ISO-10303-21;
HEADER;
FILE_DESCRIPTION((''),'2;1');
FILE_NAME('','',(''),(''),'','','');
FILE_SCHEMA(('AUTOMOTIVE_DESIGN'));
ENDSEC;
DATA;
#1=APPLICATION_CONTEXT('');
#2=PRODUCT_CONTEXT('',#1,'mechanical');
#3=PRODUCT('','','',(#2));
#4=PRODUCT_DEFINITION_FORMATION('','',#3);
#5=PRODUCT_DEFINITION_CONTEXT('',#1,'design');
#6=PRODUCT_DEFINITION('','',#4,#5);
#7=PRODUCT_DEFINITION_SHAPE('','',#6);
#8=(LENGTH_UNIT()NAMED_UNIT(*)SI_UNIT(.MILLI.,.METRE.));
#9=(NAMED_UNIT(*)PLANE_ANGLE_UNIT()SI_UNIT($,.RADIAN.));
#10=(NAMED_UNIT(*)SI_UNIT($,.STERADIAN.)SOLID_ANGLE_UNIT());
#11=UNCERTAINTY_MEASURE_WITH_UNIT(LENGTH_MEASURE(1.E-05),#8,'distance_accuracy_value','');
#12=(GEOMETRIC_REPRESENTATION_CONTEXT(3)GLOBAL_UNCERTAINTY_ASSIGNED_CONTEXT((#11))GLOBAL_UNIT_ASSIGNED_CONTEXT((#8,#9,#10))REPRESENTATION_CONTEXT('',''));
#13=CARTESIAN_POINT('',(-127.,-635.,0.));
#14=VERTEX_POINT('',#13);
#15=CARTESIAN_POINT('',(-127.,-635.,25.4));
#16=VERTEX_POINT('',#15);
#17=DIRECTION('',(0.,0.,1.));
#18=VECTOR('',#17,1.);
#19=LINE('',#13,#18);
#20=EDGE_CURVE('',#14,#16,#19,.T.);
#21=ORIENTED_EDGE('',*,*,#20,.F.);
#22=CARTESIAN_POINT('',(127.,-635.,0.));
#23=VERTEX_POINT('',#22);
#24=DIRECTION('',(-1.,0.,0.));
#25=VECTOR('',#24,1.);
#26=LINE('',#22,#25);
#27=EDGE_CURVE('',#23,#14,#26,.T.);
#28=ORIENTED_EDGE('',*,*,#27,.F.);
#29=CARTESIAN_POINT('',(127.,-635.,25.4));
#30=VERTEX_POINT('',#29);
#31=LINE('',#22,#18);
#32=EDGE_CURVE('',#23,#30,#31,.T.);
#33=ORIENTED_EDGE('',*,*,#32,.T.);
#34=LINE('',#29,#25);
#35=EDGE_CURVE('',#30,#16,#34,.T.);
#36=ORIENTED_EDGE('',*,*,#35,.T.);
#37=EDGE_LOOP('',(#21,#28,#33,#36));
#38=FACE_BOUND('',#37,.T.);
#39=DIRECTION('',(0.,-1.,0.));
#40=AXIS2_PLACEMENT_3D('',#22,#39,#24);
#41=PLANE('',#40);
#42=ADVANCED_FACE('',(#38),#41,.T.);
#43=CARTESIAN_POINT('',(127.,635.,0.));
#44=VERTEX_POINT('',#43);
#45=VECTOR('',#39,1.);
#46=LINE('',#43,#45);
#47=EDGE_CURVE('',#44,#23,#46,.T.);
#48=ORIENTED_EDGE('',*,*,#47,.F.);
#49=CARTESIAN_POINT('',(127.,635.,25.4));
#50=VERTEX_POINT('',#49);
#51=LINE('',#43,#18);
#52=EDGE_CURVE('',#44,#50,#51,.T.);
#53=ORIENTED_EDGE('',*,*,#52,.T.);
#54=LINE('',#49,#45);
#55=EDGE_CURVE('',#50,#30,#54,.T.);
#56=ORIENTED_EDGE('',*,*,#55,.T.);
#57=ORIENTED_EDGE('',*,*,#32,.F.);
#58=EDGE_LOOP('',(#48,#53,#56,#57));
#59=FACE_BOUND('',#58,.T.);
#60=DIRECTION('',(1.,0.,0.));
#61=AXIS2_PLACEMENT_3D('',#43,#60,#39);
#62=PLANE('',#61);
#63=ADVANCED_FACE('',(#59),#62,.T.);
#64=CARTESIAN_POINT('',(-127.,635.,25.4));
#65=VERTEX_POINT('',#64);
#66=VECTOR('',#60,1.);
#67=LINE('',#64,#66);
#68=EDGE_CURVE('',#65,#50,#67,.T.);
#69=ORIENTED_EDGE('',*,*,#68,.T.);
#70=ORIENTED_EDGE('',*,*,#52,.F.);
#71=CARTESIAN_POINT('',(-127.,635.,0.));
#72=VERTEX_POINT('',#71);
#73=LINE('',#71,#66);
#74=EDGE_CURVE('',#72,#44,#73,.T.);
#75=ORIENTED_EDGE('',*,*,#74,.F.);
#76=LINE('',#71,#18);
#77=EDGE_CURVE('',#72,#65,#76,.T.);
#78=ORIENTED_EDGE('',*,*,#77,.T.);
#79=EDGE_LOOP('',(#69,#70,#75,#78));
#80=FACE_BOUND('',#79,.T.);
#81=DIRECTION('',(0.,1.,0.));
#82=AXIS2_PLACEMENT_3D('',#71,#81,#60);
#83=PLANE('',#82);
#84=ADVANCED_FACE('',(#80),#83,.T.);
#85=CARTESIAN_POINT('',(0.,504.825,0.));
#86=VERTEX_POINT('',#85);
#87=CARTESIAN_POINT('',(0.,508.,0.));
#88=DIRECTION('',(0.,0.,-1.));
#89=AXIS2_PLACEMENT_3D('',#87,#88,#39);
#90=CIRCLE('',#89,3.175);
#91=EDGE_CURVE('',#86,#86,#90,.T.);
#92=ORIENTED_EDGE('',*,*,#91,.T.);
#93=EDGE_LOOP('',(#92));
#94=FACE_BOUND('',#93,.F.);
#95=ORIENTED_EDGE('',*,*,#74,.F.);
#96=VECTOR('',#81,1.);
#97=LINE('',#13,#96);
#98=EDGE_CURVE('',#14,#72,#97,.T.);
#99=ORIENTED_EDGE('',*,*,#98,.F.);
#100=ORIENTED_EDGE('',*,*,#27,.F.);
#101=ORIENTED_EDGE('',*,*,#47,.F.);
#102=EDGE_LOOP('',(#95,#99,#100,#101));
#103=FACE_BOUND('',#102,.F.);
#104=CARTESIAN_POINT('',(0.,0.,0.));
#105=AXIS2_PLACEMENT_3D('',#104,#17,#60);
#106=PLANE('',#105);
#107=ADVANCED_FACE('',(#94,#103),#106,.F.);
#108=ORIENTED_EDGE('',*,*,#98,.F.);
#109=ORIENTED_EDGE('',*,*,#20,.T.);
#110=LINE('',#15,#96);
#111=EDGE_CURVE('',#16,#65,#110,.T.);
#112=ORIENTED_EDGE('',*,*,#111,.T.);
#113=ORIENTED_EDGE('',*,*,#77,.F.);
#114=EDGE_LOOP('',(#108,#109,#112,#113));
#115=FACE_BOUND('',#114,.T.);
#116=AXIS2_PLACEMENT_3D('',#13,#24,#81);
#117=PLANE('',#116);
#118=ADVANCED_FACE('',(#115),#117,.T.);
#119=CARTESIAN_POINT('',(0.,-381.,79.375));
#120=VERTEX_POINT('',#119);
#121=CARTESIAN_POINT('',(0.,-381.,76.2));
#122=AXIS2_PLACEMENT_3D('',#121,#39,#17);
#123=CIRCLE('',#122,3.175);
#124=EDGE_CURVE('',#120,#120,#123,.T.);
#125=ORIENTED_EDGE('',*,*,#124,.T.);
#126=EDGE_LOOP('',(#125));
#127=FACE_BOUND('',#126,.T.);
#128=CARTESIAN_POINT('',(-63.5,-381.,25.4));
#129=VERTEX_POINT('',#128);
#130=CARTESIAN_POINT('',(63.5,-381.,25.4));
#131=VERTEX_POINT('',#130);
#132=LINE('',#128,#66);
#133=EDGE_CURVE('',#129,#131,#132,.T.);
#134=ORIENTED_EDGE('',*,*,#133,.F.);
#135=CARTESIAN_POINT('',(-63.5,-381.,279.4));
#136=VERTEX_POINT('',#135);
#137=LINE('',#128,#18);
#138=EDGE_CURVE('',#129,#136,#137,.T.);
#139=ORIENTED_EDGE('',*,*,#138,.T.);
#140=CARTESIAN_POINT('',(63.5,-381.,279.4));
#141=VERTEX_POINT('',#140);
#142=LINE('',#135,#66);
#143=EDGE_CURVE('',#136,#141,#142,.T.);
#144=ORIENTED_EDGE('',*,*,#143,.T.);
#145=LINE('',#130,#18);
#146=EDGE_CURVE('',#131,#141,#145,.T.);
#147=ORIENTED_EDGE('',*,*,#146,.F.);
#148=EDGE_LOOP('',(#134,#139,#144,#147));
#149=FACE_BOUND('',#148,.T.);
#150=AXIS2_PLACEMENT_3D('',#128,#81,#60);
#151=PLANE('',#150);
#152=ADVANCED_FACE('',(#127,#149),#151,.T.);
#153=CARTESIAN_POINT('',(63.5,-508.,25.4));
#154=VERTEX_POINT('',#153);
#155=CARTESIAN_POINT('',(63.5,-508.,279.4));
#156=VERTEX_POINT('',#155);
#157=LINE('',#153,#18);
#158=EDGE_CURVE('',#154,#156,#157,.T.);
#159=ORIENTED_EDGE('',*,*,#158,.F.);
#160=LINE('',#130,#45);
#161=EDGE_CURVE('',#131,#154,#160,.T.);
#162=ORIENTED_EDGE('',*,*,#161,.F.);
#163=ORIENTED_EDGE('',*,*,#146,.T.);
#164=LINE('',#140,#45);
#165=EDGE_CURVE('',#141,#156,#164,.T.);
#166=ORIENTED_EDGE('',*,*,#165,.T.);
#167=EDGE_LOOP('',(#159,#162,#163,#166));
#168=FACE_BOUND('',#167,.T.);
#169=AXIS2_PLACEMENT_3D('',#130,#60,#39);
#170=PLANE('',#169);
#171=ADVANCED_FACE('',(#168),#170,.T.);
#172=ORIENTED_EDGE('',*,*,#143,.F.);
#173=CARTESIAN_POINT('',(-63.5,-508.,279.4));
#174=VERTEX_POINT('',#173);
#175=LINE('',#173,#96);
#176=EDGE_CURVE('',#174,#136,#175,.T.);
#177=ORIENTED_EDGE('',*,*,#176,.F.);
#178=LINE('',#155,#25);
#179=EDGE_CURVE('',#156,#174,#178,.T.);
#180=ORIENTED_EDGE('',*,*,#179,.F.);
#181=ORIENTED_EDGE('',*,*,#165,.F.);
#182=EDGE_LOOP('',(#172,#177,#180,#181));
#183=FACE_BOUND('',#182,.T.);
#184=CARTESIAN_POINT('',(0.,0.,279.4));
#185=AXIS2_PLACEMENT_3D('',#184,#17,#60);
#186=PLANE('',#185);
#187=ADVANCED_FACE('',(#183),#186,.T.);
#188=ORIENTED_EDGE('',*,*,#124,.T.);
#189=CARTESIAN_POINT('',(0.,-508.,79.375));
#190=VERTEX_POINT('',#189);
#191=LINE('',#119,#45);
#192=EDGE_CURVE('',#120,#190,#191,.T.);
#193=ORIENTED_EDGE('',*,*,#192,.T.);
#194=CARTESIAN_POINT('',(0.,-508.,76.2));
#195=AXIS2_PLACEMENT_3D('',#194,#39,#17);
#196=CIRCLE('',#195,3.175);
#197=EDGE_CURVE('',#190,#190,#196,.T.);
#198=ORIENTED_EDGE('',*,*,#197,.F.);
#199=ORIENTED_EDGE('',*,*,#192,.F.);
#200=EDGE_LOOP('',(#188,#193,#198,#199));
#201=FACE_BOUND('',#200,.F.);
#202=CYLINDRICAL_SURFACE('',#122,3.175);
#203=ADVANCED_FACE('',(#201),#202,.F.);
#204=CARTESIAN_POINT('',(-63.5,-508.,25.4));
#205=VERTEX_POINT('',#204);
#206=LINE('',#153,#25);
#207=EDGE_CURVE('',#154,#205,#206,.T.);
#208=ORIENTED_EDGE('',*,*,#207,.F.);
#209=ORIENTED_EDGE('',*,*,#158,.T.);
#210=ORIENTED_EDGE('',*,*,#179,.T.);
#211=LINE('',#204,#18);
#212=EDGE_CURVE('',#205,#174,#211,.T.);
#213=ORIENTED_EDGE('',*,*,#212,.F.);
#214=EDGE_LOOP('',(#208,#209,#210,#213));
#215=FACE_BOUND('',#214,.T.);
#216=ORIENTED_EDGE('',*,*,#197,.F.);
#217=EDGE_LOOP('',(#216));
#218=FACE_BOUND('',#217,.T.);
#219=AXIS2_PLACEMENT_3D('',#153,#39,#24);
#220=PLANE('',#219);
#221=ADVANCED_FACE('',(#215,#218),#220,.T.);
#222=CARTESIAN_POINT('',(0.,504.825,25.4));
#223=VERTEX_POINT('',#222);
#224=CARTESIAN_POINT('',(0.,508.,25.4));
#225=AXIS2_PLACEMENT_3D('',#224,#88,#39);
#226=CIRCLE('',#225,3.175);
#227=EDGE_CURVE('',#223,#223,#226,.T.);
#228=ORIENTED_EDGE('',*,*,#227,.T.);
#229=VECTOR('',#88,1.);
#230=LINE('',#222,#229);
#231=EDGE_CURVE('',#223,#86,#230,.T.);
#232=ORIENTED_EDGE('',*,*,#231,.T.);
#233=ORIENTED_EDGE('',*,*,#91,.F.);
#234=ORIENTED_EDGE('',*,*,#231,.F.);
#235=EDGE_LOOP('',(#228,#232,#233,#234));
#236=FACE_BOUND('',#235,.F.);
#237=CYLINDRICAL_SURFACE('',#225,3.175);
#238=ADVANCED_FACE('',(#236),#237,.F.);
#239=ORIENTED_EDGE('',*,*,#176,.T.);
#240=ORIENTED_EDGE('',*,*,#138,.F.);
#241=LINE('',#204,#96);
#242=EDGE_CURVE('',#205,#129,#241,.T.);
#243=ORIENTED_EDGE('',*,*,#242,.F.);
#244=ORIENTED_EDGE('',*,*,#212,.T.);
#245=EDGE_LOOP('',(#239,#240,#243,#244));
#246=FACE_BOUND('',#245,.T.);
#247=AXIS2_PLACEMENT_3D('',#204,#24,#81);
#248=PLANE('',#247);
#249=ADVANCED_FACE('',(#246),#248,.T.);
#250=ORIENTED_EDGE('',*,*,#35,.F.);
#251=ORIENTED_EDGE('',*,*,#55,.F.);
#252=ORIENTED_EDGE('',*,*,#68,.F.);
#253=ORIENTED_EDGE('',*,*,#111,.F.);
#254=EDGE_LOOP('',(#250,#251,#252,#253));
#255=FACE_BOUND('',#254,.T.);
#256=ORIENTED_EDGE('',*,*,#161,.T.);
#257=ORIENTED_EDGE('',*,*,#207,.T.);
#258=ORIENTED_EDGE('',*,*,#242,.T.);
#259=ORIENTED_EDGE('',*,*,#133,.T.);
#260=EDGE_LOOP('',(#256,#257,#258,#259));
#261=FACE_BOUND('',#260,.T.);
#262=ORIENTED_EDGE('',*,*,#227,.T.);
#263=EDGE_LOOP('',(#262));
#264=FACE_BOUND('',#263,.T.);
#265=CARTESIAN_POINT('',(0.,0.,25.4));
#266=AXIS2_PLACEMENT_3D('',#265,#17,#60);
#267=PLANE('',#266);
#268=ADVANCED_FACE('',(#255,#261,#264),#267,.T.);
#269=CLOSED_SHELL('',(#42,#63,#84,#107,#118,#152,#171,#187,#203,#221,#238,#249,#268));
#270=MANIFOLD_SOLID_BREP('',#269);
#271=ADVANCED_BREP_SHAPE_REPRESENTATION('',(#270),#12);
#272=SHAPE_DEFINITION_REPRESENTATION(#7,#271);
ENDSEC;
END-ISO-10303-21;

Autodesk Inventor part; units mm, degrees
ref_plane "YZ Plane" through (0, 0, 0) normal (1, 0, 0) x (0, 1, 0)
ref_plane "XZ Plane" through (0, 0, 0) normal (0, 1, 0) x (-1, 0, 0)
ref_plane "XY Plane" through (0, 0, 0) normal (0, 0, 1) x (1, 0, 0)
sketch "Sketch1" plane through (0, 0, 0) normal (0, 0, 1) x (1, 0, 0)
  line L0 (-127, 635) -> (127, 635)
  line L1 (127, 635) -> (127, -635)
  line L2 (127, -635) -> (-127, -635)
  line L3 (-127, -635) -> (-127, 635)
  line L4 (-127, 635) -> (127, -635) construction
  line L5 (127, 635) -> (-127, -635) construction
  point P0 (0, 0)
  dimension "d0" = 254
  dimension "d1" = 1270
extrude "Extrusion1" add sketch "Sketch1" along normal blind 25.4
sketch "Sketch2" plane through (0, 0, 25.4) normal (0, 0, 1) x (1, 0, 0)
  line L0 (127, 635) -> (-127, 635) projected
  line L1 (-63.5, -381) -> (63.5, -381)
  line L2 (63.5, -381) -> (63.5, -508)
  line L3 (63.5, -508) -> (-63.5, -508)
  line L4 (-63.5, -508) -> (-63.5, -381)
  line L5 (-63.5, -381) -> (63.5, -508) construction
  line L6 (63.5, -381) -> (-63.5, -508) construction
  line L7 (0, 635) -> (0, 508)
  point P0 (0, 0)
  dimension "d5" = 127
  dimension "d6" = 127
  dimension "d7" = 127
hole "Hole1" at (0, 508, 25.4) direction (0, 0, -1) diameter 6.35 end through all
extrude "Extrusion2" add sketch "Sketch2" along normal blind 254
sketch "Sketch3" plane through (-63.5, -381, 25.4) normal (0, 1, 0) x (1, 0, 0)
  line L0 (127, -254) -> (0, -254) projected
  line L1 (127, 0) -> (127, -254) projected
  line L2 (63.5, -254) -> (63.5, -50.8)
  point P0 (63.5, 25.4)
  dimension "d17" = 203.2
hole "Hole2" at (0, -381, 76.2) direction (0, -1, 0) diameter 6.35 end through all
sketch "Sketch4" plane through (-63.5, -381, 25.4) normal (0, 1, 0) x (1, 0, 0)
  circle A0 centre (63.5, -50.8) radius 3.175 projected
  line L0 (0, 0) -> (127, 0) projected
  line L1 (0, 0) -> (0, -254) projected
  line L2 (127, -254) -> (0, -254) projected
  line L3 (127, 0) -> (127, -254) projected
  point P0 (63.5, 25.4)
  point P1 (63.5, -53.975)
properties part number "base"
